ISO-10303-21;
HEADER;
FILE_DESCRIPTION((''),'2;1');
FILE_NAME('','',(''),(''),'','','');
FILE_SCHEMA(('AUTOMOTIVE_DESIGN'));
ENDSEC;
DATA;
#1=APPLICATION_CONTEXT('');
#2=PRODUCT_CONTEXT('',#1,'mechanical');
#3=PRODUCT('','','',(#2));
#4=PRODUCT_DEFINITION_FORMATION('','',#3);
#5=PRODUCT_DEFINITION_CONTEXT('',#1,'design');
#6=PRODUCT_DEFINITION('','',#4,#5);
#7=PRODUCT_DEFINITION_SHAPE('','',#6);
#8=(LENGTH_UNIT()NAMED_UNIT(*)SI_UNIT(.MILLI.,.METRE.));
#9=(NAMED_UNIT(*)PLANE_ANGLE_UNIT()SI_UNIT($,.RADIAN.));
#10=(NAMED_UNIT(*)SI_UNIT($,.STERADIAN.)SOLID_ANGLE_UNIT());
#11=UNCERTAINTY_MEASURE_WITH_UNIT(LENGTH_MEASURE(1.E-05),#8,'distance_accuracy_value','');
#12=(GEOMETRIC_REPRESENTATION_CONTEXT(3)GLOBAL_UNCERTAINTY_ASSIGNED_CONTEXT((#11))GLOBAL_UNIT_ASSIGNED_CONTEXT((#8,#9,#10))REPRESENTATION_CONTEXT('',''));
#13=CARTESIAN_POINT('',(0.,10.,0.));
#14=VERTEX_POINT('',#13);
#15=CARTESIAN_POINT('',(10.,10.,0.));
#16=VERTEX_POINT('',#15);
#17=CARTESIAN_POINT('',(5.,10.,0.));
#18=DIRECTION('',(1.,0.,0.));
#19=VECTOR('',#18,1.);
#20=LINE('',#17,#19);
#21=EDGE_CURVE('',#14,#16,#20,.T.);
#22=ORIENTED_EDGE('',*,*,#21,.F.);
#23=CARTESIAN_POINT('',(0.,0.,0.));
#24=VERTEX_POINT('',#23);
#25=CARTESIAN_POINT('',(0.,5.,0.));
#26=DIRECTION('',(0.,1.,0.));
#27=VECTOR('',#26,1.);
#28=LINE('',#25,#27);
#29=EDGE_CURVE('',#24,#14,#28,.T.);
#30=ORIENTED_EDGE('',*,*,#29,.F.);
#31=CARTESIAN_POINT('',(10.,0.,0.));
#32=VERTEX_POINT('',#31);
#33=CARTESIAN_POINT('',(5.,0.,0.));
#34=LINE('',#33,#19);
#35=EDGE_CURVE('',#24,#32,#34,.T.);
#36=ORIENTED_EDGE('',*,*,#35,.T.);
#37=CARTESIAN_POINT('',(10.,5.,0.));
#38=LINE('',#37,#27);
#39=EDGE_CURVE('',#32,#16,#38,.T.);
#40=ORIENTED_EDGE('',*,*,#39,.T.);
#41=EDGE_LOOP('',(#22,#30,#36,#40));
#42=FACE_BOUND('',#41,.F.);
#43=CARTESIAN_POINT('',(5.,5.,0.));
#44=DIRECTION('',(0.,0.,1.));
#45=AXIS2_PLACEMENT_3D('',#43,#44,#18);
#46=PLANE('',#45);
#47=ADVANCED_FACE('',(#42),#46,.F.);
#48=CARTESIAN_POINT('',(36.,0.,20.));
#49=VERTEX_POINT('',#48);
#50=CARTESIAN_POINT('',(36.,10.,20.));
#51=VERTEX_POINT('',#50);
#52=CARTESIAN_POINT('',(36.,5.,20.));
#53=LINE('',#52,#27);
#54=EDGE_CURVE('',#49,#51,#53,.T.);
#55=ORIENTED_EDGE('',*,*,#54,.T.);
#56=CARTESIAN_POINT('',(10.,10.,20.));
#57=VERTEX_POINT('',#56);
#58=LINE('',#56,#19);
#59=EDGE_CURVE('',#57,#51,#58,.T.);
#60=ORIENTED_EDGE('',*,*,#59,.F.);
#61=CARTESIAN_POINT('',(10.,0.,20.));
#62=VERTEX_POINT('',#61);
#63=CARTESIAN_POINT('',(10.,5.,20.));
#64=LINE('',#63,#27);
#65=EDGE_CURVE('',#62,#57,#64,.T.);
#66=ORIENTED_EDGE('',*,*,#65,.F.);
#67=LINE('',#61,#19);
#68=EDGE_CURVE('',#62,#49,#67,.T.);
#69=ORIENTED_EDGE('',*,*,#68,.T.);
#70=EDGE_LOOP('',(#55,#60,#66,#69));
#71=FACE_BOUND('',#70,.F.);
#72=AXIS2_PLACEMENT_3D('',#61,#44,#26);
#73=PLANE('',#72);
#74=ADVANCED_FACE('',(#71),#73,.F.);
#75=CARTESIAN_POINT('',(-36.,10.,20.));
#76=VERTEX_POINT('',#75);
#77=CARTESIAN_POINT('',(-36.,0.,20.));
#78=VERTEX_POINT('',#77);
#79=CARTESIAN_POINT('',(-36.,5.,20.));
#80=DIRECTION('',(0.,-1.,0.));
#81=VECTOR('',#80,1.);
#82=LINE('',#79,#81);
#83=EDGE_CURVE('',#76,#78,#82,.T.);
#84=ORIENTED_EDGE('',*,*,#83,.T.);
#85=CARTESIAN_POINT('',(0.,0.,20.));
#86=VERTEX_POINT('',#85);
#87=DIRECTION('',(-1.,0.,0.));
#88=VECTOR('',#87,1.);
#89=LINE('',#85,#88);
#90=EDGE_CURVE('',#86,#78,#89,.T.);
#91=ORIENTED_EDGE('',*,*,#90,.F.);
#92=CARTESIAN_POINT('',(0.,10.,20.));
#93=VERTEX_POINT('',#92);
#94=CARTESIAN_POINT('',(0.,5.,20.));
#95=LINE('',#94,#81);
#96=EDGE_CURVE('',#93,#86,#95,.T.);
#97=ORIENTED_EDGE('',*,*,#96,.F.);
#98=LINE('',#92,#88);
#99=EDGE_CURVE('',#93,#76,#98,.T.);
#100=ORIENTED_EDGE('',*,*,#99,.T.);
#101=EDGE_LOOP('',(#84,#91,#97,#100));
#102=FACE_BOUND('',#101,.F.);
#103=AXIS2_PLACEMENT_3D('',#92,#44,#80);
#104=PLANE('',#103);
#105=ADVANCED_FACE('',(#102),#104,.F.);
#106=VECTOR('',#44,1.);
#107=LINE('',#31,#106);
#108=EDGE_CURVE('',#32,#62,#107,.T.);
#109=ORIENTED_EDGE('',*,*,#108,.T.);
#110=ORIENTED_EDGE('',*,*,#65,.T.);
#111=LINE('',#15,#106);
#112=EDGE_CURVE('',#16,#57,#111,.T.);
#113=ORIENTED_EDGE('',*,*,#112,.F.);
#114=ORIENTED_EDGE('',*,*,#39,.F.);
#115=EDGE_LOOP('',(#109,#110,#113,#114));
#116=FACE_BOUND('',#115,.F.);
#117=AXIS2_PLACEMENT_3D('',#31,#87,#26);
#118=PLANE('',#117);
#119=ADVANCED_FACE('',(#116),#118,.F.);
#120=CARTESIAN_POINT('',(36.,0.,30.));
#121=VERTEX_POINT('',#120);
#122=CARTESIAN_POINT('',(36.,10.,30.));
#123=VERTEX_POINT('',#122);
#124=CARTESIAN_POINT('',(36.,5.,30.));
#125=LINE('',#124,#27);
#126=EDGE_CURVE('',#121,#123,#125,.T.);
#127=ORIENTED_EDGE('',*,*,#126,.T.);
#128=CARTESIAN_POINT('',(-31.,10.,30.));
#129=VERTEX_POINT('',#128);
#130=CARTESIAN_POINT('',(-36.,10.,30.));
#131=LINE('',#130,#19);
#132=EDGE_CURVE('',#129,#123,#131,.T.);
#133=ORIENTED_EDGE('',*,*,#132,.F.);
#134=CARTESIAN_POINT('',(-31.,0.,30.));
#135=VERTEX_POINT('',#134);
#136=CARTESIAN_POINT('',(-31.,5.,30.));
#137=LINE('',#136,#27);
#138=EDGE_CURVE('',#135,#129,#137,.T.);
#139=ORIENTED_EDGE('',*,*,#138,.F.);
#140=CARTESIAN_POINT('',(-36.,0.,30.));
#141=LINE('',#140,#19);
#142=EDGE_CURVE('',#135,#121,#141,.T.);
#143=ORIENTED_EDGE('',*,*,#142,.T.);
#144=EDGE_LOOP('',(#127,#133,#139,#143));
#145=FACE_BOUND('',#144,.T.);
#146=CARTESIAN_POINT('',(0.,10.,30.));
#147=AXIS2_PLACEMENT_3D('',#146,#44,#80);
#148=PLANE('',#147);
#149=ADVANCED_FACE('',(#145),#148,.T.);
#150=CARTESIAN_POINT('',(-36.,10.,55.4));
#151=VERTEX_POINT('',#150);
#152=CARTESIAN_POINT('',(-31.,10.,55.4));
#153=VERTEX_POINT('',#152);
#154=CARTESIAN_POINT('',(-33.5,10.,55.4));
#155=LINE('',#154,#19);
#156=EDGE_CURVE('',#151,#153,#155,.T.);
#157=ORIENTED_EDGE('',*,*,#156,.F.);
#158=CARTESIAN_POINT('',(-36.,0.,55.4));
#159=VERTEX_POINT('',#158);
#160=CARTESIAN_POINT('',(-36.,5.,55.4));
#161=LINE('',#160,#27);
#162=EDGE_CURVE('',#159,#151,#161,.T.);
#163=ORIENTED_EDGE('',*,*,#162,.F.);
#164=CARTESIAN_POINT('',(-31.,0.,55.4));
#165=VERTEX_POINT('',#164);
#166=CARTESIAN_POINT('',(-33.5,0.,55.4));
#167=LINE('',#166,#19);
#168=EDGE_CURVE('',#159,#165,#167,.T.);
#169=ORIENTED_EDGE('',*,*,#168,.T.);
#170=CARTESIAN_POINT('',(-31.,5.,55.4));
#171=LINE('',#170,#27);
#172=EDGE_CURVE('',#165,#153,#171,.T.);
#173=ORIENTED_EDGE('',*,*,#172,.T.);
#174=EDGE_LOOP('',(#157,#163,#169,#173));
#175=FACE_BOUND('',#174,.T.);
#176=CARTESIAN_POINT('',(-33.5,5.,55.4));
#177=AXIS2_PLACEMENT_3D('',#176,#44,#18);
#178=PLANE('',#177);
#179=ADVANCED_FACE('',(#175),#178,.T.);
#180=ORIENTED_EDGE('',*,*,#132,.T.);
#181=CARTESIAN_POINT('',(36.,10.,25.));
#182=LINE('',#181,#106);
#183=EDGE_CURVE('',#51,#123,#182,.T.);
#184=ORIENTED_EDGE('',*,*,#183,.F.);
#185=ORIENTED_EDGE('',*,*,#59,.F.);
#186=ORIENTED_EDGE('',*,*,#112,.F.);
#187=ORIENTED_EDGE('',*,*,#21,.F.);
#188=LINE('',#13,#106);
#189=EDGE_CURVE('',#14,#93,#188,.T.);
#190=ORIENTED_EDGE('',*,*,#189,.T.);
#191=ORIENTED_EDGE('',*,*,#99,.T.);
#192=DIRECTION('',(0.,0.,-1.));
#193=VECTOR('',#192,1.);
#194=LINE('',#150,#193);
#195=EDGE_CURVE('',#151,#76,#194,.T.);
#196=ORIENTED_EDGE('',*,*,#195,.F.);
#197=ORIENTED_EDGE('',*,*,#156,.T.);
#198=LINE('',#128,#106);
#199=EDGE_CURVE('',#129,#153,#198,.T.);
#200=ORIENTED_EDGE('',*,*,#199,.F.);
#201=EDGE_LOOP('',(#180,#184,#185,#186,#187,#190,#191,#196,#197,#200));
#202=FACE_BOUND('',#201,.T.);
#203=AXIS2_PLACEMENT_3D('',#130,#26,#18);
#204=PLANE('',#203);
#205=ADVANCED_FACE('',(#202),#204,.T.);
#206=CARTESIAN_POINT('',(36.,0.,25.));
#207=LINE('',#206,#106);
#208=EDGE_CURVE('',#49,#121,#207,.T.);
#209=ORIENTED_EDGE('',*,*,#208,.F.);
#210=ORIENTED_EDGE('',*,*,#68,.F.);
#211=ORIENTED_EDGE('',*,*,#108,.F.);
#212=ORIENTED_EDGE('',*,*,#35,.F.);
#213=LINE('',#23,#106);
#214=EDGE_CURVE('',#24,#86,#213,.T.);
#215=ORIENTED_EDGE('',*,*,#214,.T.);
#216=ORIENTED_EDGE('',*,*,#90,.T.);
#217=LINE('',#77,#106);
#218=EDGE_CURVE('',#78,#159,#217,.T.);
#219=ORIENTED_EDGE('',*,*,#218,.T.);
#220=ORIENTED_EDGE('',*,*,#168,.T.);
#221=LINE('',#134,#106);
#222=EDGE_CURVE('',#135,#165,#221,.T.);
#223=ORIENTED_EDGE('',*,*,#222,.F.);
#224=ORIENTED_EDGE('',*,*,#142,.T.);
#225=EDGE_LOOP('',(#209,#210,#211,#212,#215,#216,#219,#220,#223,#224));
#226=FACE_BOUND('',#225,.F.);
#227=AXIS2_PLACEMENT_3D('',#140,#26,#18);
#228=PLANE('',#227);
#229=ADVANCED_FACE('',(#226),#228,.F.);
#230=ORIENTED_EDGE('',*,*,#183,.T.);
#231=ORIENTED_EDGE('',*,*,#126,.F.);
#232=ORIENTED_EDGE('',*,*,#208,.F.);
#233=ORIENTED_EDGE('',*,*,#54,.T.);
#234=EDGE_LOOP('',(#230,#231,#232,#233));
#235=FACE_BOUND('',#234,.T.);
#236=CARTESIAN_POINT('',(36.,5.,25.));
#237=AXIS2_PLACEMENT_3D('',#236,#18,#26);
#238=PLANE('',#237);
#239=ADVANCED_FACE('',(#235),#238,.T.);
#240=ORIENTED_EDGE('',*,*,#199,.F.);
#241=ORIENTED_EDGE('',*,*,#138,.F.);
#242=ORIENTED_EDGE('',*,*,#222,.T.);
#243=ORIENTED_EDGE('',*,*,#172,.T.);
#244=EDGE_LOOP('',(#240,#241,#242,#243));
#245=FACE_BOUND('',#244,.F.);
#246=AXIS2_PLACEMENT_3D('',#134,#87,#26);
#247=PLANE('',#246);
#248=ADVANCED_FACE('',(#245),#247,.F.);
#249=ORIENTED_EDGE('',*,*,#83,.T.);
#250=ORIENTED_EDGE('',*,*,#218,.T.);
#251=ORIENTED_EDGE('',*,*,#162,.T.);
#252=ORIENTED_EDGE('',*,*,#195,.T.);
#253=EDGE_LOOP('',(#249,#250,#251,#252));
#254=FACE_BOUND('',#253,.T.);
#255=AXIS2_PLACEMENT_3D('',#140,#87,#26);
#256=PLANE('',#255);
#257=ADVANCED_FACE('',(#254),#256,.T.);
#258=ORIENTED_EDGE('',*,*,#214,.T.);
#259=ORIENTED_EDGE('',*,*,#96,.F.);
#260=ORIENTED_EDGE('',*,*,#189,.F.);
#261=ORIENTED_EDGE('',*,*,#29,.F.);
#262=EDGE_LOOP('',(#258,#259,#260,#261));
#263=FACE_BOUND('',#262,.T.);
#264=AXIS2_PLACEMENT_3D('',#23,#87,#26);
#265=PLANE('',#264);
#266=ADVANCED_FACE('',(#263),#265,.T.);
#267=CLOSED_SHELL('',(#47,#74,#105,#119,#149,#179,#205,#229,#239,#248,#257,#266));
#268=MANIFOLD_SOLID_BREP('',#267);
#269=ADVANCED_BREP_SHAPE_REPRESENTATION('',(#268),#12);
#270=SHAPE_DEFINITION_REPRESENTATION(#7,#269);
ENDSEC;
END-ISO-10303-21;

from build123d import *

# Parameters (mm, degrees)
SKETCH_W     = 10
SKETCH_H     = 10
PAD_DEPTH    = 30
SKETCH001_W  = 10
SKETCH001_H  = 10
PAD001_DEPTH = 26
SKETCH002_W  = 10
SKETCH002_H  = 10
PAD002_DEPTH = 36
SKETCH003_W  = 5
SKETCH003_H  = 10
PAD003_DEPTH = 25.4


with BuildPart() as part:
    # Sketch → Pad (new body)
    with BuildSketch(Plane.XY):
        with Locations((5, 5)):
            Rectangle(SKETCH_W, SKETCH_H)
    extrude(amount=PAD_DEPTH)

    # Sketch001 (on Face2 of Pad) → Pad001 (join)
    with BuildSketch(Plane.YZ.offset(10)):
        with Locations((5, 25)):
            Rectangle(SKETCH001_W, SKETCH001_H)
    extrude(amount=PAD001_DEPTH)

    # Sketch002 (on Face3 of Pad001) → Pad002 (join)
    with BuildSketch(Plane(origin=(0, 0, 0), x_dir=(0, -1, 0), z_dir=(-1, 0, 0))):
        with Locations((-5, 25)):
            Rectangle(SKETCH002_W, SKETCH002_H)
    extrude(amount=PAD002_DEPTH)

    # Sketch003 (on Face10 of Pad002) → Pad003 (join)
    with BuildSketch(Plane.XY.offset(30)):
        with Locations((-33.5, 5)):
            Rectangle(SKETCH003_W, SKETCH003_H)
    extrude(amount=PAD003_DEPTH)


solid = part.part
